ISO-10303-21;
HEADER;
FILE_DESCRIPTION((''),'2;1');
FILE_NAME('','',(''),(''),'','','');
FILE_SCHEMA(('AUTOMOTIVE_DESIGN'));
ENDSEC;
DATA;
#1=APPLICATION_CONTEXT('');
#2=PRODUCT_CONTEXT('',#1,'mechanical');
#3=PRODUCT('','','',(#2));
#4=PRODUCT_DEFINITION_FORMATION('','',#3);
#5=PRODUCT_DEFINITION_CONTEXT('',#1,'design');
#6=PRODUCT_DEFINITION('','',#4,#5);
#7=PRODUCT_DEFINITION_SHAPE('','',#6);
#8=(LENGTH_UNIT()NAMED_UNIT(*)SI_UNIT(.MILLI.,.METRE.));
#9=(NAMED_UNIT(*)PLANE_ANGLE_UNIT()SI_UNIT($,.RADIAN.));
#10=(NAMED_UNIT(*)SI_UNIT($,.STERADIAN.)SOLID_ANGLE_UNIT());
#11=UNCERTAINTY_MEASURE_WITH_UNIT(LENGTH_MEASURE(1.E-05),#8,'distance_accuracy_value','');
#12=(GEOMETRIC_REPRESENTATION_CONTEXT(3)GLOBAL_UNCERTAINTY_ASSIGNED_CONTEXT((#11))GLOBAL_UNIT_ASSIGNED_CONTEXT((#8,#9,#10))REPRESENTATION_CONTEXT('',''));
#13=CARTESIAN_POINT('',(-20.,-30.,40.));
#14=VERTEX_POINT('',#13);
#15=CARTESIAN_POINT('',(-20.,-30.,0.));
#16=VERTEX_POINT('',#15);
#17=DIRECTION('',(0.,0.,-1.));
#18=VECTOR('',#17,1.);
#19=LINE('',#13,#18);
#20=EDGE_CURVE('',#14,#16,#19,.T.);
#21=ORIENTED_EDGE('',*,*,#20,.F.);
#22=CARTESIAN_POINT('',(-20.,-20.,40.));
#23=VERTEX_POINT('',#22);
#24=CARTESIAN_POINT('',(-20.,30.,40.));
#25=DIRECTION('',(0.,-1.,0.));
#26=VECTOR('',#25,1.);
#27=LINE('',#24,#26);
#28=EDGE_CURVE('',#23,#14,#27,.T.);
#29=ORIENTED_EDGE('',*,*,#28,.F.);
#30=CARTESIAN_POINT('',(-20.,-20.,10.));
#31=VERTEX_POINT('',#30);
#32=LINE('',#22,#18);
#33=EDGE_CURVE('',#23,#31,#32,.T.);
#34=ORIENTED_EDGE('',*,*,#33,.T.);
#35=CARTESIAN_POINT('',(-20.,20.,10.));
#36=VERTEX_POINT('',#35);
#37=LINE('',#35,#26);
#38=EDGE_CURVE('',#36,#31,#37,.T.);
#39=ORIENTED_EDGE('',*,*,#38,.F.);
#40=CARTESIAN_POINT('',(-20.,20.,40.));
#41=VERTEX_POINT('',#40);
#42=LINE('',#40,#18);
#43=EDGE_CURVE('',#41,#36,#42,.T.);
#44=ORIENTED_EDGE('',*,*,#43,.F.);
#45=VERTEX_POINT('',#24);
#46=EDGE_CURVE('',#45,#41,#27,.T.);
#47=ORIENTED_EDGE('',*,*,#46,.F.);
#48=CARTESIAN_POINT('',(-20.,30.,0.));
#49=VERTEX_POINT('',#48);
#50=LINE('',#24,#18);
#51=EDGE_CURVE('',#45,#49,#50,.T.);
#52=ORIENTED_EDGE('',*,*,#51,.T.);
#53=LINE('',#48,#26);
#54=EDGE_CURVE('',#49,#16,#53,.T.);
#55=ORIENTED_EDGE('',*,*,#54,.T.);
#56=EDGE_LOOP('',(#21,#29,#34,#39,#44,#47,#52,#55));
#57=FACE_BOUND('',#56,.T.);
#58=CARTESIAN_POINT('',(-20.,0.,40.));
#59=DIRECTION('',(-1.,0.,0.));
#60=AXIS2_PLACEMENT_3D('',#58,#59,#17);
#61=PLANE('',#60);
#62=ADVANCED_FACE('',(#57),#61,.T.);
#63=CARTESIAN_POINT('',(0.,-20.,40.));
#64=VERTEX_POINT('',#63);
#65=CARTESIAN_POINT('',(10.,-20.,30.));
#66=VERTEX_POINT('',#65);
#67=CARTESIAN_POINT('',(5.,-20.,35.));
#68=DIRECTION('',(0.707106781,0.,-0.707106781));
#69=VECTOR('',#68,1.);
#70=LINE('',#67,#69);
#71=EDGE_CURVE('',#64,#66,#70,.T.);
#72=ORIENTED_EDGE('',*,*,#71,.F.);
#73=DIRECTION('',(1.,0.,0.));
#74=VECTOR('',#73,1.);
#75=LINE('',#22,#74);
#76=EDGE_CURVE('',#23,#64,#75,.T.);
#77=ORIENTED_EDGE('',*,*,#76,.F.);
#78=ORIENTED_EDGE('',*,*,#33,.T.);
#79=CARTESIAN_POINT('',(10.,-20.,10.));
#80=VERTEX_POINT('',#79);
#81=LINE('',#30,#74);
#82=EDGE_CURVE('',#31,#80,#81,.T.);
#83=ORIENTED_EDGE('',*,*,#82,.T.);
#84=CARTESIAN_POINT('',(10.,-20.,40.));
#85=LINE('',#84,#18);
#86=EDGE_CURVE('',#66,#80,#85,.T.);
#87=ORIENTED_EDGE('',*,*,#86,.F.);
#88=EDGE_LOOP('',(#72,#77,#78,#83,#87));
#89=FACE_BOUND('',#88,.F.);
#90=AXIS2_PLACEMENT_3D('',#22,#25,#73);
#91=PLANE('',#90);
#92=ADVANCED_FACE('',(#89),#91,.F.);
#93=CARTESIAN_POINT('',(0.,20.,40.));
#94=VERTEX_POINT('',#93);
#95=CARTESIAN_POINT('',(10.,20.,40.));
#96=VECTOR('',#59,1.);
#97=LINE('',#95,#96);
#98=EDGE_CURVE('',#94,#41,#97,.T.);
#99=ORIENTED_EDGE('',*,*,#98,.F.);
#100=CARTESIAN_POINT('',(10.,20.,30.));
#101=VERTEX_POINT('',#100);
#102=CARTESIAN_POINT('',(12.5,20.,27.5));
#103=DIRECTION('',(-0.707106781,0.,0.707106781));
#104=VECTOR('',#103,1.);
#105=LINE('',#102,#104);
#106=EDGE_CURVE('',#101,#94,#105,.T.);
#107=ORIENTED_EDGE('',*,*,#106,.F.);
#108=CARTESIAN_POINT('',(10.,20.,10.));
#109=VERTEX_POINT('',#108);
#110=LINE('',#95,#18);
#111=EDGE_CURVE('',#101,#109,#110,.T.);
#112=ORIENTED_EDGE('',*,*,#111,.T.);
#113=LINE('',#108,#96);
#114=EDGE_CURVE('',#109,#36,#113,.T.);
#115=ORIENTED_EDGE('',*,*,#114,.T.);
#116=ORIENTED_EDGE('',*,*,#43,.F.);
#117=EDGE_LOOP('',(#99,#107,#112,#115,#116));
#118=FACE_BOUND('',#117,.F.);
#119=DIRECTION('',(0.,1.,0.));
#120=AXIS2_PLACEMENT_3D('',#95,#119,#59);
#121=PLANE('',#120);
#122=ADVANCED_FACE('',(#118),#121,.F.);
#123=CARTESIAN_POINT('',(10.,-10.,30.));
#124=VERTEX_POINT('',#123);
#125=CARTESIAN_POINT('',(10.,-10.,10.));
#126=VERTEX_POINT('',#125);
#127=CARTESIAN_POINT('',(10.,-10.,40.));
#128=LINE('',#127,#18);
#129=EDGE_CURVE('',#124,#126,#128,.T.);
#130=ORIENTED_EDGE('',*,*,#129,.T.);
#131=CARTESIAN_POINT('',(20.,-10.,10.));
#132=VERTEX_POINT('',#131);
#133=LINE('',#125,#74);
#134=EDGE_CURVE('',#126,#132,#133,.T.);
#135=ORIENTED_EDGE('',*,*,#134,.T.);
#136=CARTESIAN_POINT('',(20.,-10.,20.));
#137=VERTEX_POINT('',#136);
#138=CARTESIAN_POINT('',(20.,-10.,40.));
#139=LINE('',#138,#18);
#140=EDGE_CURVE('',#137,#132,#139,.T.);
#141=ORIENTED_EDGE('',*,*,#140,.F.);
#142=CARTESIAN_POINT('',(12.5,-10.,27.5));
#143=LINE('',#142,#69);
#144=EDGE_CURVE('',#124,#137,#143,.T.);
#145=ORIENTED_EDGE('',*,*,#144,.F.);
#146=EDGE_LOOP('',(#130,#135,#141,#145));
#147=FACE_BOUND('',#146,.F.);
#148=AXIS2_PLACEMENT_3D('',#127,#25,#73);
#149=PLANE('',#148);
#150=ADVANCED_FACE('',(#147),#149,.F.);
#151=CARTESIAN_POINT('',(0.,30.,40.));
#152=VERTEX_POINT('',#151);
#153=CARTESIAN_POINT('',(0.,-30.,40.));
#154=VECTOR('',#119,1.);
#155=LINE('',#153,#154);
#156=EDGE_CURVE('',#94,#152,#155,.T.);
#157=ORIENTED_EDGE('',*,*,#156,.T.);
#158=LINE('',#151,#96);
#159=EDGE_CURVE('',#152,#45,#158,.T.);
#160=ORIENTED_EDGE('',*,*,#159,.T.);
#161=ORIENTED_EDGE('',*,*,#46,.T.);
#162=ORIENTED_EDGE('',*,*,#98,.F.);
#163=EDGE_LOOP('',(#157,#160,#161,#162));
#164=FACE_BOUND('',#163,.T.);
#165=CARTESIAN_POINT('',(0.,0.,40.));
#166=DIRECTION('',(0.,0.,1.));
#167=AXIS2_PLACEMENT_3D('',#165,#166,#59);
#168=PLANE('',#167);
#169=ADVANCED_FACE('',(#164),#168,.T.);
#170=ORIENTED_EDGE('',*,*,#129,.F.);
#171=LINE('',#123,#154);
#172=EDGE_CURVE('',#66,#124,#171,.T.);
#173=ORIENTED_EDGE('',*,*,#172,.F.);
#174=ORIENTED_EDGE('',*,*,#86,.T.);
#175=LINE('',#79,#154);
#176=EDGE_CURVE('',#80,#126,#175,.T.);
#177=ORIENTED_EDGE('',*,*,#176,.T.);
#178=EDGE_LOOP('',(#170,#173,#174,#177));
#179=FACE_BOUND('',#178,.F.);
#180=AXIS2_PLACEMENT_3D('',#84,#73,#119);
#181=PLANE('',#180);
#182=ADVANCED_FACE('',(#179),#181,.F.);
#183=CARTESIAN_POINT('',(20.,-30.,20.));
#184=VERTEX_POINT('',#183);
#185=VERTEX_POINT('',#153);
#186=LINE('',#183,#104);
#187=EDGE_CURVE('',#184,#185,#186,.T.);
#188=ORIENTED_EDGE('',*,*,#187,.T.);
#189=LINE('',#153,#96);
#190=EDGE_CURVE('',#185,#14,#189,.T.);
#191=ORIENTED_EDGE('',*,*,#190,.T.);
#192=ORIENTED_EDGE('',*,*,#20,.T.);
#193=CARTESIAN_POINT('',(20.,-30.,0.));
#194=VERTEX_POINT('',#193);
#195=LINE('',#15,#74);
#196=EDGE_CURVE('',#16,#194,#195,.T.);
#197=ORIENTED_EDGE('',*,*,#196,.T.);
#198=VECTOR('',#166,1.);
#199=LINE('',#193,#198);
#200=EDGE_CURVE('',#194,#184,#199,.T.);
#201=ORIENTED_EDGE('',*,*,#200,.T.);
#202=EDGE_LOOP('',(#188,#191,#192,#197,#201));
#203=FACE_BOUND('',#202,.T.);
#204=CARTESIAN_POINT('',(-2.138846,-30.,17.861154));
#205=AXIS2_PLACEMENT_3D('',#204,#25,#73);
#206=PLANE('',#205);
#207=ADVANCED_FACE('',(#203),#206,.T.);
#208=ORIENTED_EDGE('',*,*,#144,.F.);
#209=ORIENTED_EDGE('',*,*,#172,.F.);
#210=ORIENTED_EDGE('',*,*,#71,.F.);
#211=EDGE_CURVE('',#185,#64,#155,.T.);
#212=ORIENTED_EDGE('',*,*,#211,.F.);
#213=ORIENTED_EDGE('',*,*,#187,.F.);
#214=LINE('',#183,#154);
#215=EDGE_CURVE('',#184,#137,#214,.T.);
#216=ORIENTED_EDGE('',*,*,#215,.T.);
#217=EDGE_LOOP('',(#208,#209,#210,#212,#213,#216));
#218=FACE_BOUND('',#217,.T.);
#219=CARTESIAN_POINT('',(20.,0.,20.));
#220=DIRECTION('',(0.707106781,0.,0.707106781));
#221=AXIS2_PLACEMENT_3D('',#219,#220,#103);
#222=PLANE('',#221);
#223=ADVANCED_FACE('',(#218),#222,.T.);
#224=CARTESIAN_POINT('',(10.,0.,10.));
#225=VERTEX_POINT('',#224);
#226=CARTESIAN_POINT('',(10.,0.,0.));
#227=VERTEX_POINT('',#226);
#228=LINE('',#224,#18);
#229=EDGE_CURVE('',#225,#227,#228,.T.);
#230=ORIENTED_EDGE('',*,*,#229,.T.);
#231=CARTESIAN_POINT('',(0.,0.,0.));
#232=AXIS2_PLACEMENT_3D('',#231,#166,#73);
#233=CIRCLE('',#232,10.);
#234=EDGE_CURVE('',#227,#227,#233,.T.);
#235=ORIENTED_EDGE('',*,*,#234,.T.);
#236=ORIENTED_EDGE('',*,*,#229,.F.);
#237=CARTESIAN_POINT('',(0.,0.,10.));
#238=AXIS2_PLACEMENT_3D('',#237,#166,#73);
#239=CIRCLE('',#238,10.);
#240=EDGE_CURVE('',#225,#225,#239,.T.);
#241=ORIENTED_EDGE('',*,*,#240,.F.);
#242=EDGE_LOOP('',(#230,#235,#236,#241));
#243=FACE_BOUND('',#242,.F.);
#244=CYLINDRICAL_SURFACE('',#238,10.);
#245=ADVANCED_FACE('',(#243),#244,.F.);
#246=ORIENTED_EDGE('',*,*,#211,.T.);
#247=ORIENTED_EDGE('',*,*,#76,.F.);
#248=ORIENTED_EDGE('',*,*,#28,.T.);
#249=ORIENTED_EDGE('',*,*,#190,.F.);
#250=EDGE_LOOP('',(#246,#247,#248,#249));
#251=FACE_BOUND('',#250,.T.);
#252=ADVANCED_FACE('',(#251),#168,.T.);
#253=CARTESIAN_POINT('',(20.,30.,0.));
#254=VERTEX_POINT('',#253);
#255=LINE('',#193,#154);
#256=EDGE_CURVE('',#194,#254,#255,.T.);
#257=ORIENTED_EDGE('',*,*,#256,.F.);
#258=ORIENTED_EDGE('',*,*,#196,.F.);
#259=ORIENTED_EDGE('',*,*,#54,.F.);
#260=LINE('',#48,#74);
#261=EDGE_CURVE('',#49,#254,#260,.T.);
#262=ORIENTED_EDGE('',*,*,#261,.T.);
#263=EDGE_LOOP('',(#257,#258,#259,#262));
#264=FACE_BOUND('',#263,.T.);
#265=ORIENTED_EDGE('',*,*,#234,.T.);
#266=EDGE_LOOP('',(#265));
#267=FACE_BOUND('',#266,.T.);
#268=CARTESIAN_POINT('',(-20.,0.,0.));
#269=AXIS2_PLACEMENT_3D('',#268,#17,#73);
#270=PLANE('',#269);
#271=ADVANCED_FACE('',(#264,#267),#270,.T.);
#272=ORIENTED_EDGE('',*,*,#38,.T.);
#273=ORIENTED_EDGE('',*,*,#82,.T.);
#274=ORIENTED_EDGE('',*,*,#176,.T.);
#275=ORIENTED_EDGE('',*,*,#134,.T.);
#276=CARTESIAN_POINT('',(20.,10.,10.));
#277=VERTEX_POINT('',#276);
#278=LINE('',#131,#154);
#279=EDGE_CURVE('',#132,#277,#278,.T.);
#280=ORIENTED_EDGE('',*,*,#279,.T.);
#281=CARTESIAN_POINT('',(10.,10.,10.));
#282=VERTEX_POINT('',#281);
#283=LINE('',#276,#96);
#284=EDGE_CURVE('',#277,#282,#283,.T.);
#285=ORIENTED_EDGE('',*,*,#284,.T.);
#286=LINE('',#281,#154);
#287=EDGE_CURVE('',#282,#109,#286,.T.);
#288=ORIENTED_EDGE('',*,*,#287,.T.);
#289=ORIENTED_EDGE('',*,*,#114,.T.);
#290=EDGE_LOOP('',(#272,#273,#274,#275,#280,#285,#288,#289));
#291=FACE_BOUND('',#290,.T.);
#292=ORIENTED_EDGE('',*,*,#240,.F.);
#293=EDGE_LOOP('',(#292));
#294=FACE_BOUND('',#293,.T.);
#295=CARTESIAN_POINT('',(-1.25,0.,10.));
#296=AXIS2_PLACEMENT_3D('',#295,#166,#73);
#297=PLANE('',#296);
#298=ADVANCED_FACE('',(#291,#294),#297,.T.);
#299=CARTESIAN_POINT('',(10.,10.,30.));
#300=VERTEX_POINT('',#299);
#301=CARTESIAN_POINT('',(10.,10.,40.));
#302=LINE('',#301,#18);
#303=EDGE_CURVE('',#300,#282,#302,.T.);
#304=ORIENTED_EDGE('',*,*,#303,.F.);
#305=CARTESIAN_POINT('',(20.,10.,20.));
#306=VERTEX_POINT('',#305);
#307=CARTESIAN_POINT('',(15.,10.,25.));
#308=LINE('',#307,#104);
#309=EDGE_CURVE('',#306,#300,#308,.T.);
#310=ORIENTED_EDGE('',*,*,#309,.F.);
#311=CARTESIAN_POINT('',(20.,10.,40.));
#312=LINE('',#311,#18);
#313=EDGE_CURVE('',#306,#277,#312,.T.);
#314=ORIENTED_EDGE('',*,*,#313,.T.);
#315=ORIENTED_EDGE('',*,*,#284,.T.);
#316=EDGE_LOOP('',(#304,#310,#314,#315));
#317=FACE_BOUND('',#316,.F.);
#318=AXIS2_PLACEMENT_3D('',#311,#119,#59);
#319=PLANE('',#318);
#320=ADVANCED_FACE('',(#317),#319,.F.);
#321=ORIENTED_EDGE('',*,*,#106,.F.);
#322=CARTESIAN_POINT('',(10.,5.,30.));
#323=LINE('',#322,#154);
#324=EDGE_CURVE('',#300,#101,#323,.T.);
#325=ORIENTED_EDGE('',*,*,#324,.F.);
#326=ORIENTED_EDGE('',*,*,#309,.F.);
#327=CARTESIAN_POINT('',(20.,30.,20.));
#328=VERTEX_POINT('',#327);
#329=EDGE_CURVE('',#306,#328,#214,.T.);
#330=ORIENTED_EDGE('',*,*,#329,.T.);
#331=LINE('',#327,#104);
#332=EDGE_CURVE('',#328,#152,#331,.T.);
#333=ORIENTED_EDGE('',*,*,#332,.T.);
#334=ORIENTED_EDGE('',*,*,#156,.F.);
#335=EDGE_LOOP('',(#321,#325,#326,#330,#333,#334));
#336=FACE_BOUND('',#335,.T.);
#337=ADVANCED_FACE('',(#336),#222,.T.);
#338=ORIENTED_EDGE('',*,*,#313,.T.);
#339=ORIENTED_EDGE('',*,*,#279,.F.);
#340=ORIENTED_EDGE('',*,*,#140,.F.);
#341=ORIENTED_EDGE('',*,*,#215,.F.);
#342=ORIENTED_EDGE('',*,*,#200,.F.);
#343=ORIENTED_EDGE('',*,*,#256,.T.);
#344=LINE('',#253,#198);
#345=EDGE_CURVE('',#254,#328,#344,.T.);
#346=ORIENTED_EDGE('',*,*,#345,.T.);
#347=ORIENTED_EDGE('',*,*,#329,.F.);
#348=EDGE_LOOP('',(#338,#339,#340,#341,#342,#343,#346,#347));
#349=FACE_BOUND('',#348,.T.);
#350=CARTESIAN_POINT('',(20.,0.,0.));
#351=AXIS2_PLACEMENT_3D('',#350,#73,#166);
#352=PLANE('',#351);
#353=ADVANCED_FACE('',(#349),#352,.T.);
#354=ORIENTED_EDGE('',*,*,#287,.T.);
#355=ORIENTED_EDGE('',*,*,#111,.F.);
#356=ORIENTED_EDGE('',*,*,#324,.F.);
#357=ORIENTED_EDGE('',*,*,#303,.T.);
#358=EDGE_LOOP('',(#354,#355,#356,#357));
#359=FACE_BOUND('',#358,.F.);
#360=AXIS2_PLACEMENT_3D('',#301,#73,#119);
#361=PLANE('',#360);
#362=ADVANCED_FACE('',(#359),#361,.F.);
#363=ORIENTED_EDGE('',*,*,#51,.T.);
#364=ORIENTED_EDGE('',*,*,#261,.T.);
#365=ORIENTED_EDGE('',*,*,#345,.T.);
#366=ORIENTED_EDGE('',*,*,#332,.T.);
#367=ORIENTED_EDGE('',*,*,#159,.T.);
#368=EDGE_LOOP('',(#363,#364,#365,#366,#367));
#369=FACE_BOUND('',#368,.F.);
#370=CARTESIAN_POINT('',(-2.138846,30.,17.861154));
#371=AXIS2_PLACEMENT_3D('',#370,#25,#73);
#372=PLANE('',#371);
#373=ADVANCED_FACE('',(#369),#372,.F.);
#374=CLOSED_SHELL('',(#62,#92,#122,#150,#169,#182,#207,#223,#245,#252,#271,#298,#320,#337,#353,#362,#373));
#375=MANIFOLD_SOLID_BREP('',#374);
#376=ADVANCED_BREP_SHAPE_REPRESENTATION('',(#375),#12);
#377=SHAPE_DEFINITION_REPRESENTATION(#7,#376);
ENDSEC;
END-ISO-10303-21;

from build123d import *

# Parameters (mm, degrees)
F1_DEPTH = 30
F3_DEPTH = 30
F4_R     = 10
F5_DEPTH = 25


with BuildPart() as f1:
    # F0 (on Front) → F1 (new body, symmetric)
    with BuildSketch(Plane.XZ):
        Polygon((0, 40), (-20, 40), (-20, 0), (20, 0), (20, 20), align=None)
    extrude(amount=F1_DEPTH, both=True)

    # F2 (on face) → F3 (cut)
    with BuildSketch(Plane.XY.offset(40)):
        Polygon((10, 20), (-20, 20), (-20, -20), (10, -20), (10, -10), (20, -10), (20, 10), (10, 10), align=None)
    extrude(amount=-F3_DEPTH, mode=Mode.SUBTRACT)

    # F4 (on face) → F5 (cut)
    with BuildSketch(Plane.XY.offset(10)):
        Circle(F4_R)
    extrude(amount=-F5_DEPTH, mode=Mode.SUBTRACT)


solid = f1.part
